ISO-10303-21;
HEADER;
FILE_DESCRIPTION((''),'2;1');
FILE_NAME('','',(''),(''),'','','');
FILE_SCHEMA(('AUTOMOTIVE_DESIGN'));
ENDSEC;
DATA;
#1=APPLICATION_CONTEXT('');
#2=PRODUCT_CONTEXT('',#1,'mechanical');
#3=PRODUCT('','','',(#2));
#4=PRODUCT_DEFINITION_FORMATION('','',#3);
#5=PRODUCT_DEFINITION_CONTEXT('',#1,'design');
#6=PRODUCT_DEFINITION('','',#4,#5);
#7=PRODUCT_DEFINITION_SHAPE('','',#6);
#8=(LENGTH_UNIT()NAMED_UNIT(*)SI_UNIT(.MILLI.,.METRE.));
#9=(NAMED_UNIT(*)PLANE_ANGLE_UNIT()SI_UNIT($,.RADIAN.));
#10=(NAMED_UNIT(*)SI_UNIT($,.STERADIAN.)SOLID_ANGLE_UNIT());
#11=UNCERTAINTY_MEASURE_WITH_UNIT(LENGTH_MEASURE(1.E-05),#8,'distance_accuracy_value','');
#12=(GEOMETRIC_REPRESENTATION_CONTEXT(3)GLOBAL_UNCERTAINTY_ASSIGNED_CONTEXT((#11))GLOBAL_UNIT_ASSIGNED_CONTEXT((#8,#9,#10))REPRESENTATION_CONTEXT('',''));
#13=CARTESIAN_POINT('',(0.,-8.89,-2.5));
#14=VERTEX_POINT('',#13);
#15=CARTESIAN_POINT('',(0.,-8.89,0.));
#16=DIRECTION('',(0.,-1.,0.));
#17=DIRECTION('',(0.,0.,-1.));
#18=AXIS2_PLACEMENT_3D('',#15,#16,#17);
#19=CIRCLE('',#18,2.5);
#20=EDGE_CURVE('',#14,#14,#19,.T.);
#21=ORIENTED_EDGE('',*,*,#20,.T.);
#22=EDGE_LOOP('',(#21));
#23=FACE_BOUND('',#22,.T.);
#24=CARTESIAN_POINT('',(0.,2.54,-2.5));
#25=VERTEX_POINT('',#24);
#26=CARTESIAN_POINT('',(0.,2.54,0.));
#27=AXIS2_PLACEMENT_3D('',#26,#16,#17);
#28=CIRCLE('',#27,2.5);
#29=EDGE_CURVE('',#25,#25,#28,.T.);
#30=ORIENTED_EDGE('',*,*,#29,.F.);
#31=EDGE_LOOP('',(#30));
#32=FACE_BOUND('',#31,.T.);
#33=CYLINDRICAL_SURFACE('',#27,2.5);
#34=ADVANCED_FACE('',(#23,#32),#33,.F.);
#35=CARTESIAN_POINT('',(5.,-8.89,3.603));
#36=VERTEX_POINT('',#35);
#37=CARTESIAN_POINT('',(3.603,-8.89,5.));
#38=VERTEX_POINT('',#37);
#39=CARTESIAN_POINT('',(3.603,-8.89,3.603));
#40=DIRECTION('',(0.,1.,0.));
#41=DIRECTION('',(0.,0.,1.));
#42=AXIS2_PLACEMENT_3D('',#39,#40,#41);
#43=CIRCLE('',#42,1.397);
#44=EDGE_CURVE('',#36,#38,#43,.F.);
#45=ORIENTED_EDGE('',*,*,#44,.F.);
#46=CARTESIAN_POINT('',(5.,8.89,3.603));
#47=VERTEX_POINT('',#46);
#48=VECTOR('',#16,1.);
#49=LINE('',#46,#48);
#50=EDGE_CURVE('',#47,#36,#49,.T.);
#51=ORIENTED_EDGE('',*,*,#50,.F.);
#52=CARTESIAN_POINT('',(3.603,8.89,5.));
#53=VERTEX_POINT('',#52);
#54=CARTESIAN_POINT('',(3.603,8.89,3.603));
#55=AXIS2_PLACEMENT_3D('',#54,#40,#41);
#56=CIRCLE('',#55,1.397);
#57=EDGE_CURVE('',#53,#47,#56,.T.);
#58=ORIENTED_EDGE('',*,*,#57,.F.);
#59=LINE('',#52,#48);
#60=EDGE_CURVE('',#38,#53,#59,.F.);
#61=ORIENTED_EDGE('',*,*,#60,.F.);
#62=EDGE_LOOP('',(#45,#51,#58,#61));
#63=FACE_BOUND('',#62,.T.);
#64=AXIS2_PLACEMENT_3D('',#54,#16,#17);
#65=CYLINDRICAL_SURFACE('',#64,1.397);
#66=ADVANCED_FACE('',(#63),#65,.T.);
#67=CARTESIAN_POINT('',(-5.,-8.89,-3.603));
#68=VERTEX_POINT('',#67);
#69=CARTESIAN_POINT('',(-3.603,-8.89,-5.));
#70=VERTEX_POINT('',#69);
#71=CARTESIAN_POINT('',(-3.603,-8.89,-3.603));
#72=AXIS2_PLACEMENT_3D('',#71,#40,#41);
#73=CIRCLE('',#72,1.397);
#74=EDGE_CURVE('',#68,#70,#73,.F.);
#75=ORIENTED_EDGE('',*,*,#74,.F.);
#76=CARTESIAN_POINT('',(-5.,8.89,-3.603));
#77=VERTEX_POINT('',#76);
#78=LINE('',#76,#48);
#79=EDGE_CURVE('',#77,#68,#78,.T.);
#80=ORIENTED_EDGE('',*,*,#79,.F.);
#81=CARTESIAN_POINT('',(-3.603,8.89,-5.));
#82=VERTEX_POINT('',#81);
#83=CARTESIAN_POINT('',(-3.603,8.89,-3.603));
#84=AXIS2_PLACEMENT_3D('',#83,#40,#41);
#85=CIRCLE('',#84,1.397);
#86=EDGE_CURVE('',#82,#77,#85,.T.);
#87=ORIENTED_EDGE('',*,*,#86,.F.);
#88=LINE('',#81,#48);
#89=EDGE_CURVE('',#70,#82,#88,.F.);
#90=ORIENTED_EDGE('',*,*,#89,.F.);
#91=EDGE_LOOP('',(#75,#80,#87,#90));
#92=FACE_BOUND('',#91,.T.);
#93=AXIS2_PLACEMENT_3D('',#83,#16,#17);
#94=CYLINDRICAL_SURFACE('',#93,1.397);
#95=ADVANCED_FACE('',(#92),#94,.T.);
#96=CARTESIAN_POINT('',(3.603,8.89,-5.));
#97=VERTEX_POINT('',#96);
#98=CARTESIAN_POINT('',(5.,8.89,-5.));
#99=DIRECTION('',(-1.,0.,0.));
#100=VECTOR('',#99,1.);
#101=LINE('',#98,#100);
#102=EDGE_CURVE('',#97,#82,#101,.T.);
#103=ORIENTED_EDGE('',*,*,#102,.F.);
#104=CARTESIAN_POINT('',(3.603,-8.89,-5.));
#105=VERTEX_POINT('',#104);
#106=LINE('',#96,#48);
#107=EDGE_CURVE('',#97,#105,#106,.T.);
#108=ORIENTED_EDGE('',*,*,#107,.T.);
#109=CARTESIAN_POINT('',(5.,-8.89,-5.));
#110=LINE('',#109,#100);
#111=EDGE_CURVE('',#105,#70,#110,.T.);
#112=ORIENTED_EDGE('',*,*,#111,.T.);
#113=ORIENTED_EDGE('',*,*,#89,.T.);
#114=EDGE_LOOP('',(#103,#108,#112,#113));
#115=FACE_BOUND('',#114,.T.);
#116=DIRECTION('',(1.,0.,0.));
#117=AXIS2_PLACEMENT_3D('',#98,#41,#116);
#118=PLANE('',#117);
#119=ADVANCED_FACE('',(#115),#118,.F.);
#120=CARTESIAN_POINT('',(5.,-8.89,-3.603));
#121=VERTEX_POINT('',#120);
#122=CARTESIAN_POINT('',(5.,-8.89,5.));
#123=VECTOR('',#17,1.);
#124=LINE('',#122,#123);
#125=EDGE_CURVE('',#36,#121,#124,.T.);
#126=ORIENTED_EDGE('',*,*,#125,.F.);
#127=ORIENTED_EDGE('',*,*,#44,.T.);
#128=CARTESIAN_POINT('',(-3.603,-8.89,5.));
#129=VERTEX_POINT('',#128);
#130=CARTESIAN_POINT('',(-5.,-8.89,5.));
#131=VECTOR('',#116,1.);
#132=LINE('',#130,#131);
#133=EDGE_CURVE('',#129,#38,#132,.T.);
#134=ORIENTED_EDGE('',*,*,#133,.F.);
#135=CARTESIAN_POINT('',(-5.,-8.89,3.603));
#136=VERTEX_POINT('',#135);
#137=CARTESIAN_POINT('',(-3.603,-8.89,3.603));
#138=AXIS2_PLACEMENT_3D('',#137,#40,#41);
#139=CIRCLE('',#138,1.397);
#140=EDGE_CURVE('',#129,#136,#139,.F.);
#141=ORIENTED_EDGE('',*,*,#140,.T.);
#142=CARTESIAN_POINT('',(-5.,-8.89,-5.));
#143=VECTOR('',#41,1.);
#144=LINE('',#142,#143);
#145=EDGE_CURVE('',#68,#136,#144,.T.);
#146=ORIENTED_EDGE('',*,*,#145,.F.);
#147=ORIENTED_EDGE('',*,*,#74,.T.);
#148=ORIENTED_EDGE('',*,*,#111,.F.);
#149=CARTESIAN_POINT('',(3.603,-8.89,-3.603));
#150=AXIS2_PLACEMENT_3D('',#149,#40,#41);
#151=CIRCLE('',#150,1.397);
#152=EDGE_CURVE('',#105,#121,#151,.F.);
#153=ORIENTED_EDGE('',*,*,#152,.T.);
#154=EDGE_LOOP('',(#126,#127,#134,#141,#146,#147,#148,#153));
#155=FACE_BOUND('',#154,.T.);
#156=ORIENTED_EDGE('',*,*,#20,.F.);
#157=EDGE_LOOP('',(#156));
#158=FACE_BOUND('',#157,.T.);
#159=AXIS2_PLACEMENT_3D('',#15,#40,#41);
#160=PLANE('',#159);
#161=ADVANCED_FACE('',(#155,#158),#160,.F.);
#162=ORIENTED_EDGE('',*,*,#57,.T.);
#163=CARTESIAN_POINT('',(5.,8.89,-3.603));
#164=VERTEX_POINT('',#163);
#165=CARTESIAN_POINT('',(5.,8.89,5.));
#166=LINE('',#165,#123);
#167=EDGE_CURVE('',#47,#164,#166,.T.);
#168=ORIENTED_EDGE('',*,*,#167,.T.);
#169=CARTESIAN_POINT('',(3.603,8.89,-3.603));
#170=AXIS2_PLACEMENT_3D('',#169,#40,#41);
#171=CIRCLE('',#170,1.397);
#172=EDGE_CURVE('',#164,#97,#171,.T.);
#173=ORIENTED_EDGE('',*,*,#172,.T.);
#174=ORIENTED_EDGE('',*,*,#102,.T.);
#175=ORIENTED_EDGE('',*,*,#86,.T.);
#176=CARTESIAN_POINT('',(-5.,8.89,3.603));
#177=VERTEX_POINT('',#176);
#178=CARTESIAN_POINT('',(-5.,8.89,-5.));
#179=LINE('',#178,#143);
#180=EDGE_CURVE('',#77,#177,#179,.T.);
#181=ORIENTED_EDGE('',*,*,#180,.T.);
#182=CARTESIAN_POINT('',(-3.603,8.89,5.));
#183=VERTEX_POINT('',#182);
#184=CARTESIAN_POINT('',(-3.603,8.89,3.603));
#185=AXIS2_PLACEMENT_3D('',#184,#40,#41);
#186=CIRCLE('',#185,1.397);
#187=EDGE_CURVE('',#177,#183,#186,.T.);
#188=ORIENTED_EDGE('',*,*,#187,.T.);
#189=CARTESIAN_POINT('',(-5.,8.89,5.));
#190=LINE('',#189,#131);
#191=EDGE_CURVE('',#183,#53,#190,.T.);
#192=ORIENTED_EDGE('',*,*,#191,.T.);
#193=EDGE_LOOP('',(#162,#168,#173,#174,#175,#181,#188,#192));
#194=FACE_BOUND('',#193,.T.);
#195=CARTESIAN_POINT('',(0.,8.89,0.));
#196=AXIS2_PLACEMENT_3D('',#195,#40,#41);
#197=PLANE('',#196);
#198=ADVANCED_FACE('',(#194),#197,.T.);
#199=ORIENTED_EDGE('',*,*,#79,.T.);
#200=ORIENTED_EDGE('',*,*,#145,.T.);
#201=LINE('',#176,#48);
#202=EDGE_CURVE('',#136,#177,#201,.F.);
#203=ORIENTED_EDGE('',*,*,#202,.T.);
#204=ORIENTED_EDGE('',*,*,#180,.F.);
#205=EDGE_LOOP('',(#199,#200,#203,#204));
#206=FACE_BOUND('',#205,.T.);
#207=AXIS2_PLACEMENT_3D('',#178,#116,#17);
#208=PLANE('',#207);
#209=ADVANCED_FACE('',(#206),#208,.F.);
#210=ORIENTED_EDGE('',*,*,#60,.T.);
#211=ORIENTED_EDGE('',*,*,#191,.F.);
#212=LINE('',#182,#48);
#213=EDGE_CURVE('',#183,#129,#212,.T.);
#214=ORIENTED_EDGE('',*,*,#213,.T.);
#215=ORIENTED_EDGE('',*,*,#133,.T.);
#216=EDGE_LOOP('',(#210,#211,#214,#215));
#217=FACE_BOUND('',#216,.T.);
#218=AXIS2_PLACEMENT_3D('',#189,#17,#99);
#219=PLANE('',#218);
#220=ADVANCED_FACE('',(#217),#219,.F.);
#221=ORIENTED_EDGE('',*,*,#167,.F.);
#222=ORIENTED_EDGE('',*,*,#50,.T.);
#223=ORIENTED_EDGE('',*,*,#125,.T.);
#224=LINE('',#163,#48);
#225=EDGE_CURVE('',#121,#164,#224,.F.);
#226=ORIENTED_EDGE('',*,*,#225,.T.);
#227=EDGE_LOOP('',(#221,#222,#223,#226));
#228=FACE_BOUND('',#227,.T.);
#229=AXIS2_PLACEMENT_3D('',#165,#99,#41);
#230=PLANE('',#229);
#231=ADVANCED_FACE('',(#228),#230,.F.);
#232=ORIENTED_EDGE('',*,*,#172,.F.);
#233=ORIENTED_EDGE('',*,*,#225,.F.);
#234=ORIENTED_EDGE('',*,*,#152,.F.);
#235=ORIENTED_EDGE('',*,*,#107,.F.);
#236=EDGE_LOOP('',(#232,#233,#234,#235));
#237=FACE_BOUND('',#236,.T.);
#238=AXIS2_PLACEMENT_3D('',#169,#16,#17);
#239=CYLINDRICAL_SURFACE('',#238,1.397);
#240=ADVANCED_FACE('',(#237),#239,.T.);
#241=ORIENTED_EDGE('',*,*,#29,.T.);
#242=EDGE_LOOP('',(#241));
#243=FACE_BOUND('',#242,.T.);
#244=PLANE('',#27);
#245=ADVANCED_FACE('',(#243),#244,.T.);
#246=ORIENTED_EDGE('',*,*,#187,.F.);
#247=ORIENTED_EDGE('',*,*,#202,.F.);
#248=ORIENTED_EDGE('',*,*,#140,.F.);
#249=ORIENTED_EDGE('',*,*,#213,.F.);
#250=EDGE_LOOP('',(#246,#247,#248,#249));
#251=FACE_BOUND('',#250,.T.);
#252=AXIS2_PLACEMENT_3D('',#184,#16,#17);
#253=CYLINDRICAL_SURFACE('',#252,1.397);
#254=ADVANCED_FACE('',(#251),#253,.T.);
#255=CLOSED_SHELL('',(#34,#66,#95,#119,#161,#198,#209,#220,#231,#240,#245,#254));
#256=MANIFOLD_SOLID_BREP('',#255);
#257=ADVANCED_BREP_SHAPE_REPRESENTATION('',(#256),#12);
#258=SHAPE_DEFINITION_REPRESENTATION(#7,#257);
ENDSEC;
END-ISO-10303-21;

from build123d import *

# Parameters (mm, degrees)
SKETCH1_W           = 10
SKETCH1_H           = 10
BOSS_EXTRUDE1_DEPTH = 8.89
SKETCH2_R           = 2.5
CUT_EXTRUDE1_DEPTH  = 11.43
FILLET1_R           = 1.397


with BuildPart() as part:
    # Sketch1 → Boss-Extrude1 (new, symmetric)
    with BuildSketch(Plane(origin=(0, 0, 0), x_dir=(1, 0, 0), z_dir=(0, 1, 0))):
        Rectangle(SKETCH1_W, SKETCH1_H)
    extrude(amount=BOSS_EXTRUDE1_DEPTH, both=True)

    # Sketch2 → Cut-Extrude1 (cut)
    with BuildSketch(Plane.XZ.offset(8.89)):
        with Locations(Location((0, 0, 0), (0, 0, 270))):
            Circle(SKETCH2_R)
    extrude(amount=-CUT_EXTRUDE1_DEPTH, mode=Mode.SUBTRACT)

    # Fillet1
    fillet1_edges = [part.edges().sort_by_distance(p)[0] for p in [
        (5, 0, -5),
        (5, 0, 5),
        (-5, 0, 5),
        (-5, 0, -5),
    ]]
    fillet(fillet1_edges, radius=FILLET1_R)


solid = part.part
